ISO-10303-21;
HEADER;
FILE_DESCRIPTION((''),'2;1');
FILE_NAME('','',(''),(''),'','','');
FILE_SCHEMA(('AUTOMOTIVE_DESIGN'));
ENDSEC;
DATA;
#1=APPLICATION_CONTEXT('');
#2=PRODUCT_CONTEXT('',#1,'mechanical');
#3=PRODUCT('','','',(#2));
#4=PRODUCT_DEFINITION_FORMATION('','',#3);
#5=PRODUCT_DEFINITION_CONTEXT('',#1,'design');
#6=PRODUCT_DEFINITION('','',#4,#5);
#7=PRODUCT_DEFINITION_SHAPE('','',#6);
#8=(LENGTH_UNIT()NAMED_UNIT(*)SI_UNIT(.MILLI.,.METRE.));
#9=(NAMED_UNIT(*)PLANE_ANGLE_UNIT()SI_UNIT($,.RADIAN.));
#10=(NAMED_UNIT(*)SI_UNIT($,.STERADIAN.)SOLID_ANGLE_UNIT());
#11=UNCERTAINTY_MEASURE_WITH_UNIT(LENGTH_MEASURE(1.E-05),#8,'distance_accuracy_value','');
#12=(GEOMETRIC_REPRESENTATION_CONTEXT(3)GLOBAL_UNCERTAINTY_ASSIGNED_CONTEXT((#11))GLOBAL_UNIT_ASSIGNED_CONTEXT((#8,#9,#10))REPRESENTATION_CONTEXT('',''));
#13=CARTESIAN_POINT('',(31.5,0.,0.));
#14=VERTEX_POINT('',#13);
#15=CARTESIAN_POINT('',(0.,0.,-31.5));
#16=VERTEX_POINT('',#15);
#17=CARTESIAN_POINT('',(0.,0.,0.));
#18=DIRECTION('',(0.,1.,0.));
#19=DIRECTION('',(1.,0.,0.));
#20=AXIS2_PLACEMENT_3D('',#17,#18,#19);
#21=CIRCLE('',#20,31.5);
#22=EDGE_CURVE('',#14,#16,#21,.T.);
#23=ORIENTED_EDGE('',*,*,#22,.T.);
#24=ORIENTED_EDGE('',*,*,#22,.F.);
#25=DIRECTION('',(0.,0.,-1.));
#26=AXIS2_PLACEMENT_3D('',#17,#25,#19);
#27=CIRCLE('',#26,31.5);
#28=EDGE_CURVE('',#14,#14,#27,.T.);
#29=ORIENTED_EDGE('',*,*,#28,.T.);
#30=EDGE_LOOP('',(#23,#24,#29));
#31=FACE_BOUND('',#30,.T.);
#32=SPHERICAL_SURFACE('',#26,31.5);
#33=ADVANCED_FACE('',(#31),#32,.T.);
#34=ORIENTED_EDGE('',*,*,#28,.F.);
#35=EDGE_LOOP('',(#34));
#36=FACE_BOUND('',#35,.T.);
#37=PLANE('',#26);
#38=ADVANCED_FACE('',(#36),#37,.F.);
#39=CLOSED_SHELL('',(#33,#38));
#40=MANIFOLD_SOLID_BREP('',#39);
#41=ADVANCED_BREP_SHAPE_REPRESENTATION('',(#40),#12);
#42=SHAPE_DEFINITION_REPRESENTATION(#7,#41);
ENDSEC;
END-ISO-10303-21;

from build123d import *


with BuildPart() as part:
    # Sketch1 → Revolve1 (revolve)
    with BuildSketch(Plane(origin=(0, 0, 0), x_dir=(1, 0, 0), z_dir=(0, 1, 0))):
        with BuildLine():
            Line((0, 0), (31.5, 0))
            ThreePointArc((31.5, 0), (22.273863607, 22.273863607), (0, 31.5))
            Line((0, 31.5), (0, 0))
        make_face()
    revolve(axis=Axis((0, 0, 0), (0, 0, -1)))


solid = part.part
